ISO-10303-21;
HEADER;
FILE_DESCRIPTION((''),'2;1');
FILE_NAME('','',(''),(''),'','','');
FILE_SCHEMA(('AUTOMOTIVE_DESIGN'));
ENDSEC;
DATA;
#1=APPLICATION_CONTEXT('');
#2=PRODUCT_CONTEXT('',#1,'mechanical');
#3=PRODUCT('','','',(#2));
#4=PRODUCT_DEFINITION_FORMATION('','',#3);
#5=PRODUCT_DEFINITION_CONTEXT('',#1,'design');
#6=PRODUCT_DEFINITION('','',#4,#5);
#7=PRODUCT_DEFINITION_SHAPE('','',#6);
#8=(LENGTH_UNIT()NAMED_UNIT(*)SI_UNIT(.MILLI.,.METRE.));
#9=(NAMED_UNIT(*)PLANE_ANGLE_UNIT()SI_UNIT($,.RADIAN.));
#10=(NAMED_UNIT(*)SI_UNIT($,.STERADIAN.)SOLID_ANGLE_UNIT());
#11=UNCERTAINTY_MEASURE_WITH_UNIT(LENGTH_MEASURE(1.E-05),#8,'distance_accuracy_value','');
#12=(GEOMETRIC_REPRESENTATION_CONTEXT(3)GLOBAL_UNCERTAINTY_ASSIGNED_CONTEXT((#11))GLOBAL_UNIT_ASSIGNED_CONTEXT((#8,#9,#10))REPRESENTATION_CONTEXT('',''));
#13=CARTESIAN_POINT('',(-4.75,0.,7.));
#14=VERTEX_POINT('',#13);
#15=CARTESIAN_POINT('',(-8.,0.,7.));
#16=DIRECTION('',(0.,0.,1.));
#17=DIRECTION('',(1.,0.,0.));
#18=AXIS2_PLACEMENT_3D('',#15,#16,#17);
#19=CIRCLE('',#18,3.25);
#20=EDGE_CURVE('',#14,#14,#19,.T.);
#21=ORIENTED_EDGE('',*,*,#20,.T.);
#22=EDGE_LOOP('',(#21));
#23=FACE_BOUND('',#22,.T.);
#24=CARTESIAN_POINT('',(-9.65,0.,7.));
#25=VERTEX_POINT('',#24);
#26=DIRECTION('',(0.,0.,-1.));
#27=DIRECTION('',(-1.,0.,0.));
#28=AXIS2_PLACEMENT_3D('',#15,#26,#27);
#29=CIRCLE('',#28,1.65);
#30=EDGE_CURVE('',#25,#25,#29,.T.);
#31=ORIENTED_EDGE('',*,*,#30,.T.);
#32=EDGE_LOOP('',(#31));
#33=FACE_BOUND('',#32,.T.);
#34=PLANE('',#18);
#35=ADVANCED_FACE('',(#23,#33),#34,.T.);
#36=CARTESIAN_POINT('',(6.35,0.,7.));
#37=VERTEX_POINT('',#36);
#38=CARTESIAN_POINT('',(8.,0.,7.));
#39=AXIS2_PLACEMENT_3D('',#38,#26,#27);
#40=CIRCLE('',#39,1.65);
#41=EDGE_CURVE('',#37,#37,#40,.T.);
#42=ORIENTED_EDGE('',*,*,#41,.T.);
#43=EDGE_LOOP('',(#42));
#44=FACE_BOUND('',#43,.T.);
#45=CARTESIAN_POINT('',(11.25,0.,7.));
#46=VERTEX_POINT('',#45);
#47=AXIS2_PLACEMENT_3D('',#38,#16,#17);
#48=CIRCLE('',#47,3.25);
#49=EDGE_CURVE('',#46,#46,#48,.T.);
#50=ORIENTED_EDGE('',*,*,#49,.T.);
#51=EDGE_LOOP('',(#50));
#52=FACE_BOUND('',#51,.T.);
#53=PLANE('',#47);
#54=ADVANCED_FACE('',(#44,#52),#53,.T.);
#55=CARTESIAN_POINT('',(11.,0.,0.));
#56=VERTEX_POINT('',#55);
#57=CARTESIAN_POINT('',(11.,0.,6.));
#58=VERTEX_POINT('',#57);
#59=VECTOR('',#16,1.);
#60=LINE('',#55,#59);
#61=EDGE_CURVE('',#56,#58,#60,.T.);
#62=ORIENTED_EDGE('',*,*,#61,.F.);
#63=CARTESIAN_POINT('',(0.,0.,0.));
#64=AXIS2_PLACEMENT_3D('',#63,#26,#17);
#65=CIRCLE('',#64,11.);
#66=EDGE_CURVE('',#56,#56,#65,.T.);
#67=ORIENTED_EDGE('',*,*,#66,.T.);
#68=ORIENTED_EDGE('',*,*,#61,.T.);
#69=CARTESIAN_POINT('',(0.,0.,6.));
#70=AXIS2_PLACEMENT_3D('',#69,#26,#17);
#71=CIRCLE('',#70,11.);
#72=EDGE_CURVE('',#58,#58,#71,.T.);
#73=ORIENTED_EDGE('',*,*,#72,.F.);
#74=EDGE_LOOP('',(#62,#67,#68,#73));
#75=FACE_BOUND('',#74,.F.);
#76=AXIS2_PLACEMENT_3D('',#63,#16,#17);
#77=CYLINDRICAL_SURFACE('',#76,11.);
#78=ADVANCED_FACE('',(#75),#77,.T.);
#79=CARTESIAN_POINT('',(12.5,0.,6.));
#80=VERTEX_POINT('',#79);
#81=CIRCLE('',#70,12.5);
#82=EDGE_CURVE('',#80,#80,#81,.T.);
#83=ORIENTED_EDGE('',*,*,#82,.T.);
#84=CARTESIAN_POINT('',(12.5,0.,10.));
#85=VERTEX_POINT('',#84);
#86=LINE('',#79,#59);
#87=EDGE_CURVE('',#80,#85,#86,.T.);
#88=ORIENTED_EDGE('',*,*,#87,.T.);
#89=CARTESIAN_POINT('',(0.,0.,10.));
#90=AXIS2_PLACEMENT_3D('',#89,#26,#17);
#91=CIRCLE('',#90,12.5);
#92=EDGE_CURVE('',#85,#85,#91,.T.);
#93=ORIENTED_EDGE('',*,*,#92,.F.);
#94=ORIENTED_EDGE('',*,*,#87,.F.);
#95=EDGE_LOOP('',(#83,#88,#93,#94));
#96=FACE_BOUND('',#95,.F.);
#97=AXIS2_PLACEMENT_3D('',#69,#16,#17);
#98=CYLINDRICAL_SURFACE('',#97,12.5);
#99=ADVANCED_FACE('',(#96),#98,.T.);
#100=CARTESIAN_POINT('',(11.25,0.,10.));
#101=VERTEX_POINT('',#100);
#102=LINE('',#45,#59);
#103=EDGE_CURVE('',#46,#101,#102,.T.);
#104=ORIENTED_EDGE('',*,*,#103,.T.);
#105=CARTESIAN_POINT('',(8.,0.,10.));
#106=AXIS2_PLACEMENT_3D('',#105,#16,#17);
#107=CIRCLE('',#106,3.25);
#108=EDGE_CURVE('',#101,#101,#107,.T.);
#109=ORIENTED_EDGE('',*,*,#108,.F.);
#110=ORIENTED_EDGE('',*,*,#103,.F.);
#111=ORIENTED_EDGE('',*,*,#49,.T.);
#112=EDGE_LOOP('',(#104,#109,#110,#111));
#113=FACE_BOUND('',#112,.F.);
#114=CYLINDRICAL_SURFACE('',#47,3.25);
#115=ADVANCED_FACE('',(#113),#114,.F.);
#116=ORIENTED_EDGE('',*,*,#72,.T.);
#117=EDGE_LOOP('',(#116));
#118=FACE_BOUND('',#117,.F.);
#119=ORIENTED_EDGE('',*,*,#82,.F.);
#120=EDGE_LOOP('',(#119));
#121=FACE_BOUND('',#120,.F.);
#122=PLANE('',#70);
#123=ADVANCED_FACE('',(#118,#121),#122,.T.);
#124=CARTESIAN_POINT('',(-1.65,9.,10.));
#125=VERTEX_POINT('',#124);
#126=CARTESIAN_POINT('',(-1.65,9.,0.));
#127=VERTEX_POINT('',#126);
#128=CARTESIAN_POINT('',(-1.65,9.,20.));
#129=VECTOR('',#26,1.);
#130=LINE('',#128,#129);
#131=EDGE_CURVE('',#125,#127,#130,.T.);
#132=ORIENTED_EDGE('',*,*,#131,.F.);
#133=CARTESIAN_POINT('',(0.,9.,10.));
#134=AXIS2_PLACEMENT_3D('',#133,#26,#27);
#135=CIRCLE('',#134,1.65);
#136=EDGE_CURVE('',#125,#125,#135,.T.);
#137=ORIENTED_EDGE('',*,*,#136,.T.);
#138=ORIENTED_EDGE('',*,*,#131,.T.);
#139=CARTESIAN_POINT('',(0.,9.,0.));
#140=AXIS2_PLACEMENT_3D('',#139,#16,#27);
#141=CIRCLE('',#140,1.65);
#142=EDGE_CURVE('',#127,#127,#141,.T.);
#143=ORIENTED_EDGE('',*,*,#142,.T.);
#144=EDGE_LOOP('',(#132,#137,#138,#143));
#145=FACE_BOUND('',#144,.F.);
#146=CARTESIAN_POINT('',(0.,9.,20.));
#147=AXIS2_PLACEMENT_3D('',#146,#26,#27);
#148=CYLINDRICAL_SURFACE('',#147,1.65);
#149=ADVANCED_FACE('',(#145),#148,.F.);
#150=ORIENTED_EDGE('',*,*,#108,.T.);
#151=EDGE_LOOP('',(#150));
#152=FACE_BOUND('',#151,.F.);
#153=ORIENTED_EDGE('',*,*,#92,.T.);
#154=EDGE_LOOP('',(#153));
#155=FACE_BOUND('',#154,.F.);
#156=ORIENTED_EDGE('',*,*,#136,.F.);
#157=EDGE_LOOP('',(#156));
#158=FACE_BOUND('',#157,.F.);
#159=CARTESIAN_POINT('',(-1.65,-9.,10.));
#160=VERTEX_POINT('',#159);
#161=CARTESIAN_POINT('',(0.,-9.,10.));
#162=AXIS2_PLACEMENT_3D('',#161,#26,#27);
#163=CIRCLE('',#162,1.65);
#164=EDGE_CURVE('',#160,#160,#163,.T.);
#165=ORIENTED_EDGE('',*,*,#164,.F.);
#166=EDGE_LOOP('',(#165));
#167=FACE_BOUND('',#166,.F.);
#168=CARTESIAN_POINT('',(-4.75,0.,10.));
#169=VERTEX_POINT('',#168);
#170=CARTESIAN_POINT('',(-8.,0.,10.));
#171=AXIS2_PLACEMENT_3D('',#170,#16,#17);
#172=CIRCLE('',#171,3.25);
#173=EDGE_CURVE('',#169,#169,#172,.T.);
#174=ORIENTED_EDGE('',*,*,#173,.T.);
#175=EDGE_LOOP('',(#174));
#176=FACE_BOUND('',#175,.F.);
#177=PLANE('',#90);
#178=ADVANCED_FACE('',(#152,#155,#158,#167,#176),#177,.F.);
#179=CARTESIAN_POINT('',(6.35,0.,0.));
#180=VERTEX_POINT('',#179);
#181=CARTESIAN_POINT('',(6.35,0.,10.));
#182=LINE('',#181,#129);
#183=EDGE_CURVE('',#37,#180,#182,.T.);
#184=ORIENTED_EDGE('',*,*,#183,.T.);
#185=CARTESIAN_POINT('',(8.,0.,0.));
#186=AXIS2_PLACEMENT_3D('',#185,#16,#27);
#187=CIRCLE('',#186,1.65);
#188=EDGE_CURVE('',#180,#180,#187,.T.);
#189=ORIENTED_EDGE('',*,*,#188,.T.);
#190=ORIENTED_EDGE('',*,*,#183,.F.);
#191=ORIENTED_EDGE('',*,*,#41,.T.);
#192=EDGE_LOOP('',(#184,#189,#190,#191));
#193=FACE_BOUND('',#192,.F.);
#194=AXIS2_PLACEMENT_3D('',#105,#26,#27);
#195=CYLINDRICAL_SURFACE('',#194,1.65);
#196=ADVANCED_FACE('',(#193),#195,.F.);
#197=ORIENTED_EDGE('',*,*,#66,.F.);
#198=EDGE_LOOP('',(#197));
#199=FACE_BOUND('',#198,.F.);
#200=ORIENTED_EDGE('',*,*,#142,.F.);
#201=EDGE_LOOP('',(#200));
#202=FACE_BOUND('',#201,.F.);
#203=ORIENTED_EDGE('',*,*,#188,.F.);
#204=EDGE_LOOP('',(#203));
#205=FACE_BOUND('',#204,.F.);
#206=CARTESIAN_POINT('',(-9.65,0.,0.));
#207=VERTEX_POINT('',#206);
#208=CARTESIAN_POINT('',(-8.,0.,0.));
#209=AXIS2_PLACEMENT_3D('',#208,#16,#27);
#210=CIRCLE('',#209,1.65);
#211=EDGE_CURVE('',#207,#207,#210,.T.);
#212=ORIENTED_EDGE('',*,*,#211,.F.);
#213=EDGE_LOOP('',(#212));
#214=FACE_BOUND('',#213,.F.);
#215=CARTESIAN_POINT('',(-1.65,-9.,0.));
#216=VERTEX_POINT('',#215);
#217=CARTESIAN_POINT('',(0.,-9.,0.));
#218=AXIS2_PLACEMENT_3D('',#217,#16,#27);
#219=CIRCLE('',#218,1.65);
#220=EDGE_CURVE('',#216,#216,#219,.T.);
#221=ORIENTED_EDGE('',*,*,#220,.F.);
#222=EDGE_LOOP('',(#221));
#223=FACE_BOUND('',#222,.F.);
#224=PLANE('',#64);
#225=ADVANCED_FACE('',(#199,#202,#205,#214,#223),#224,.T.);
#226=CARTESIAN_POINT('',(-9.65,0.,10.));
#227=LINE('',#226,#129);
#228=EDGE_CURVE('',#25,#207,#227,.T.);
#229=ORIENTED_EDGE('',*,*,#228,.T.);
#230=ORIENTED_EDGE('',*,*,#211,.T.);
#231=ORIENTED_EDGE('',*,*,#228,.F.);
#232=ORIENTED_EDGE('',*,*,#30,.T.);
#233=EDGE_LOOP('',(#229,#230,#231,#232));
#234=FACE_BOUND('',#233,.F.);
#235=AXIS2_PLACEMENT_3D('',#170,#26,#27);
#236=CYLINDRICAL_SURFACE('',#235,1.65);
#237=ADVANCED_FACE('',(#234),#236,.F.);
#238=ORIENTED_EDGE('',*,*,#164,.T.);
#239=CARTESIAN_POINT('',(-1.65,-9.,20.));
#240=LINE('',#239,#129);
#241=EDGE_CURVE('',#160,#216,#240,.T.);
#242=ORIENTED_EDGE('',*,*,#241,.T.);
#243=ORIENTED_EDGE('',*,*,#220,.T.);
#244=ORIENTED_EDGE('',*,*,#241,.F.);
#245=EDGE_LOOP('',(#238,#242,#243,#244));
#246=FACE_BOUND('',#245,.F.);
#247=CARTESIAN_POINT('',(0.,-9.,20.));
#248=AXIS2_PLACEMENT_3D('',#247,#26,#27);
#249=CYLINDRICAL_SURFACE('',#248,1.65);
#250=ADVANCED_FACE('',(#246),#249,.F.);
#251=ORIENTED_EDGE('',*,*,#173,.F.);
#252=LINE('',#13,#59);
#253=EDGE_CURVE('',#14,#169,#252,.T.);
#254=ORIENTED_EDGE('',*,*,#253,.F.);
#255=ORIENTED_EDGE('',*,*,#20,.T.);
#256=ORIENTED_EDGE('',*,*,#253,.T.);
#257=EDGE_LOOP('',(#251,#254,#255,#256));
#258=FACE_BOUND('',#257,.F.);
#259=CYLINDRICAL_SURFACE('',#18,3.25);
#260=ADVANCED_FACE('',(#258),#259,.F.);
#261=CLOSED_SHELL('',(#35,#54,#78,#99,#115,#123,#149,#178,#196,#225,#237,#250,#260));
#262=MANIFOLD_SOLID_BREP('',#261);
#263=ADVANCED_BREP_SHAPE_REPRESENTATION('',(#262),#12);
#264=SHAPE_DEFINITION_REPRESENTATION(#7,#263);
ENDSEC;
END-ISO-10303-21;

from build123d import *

# Parameters (mm, degrees)
F3_D           = 3.3
F3_DEPTH       = 10
F3_TIP         = 0.9914200214
F4_D           = 3.3
F4_DEPTH       = 10
F4_CBORE_D     = 6.5
F4_CBORE_DEPTH = 3
F4_TIP         = 0.9914200214


with BuildPart() as f1:
    # F0 (on Front) → F1 (revolve)
    with BuildSketch(Plane.XZ):
        Polygon((0, 10), (0, 0), (11, 0), (11, 6), (12.5, 6), (12.5, 10), align=None)
    revolve(axis=Axis((0, 0, 5), (0, 0, -1)))

    # F3
    with Locations(Plane.XY.offset(10)):
        with Locations((0, 9), (0, -9)):
            Hole(F3_D / 2, depth=F3_DEPTH)
            with Locations((0, 0, -(F3_DEPTH + F3_TIP / 2))):  # 118° drill point
                Cone(0, F3_D / 2, F3_TIP, mode=Mode.SUBTRACT)

    # F4
    with Locations(Plane.XY.offset(10)):
        with Locations((-8, 0), (8, 0)):
            CounterBoreHole(F4_D / 2, F4_CBORE_D / 2, F4_CBORE_DEPTH, depth=F4_DEPTH)
            with Locations((0, 0, -(F4_DEPTH + F4_TIP / 2))):  # 118° drill point
                Cone(0, F4_D / 2, F4_TIP, mode=Mode.SUBTRACT)


solid = f1.part
